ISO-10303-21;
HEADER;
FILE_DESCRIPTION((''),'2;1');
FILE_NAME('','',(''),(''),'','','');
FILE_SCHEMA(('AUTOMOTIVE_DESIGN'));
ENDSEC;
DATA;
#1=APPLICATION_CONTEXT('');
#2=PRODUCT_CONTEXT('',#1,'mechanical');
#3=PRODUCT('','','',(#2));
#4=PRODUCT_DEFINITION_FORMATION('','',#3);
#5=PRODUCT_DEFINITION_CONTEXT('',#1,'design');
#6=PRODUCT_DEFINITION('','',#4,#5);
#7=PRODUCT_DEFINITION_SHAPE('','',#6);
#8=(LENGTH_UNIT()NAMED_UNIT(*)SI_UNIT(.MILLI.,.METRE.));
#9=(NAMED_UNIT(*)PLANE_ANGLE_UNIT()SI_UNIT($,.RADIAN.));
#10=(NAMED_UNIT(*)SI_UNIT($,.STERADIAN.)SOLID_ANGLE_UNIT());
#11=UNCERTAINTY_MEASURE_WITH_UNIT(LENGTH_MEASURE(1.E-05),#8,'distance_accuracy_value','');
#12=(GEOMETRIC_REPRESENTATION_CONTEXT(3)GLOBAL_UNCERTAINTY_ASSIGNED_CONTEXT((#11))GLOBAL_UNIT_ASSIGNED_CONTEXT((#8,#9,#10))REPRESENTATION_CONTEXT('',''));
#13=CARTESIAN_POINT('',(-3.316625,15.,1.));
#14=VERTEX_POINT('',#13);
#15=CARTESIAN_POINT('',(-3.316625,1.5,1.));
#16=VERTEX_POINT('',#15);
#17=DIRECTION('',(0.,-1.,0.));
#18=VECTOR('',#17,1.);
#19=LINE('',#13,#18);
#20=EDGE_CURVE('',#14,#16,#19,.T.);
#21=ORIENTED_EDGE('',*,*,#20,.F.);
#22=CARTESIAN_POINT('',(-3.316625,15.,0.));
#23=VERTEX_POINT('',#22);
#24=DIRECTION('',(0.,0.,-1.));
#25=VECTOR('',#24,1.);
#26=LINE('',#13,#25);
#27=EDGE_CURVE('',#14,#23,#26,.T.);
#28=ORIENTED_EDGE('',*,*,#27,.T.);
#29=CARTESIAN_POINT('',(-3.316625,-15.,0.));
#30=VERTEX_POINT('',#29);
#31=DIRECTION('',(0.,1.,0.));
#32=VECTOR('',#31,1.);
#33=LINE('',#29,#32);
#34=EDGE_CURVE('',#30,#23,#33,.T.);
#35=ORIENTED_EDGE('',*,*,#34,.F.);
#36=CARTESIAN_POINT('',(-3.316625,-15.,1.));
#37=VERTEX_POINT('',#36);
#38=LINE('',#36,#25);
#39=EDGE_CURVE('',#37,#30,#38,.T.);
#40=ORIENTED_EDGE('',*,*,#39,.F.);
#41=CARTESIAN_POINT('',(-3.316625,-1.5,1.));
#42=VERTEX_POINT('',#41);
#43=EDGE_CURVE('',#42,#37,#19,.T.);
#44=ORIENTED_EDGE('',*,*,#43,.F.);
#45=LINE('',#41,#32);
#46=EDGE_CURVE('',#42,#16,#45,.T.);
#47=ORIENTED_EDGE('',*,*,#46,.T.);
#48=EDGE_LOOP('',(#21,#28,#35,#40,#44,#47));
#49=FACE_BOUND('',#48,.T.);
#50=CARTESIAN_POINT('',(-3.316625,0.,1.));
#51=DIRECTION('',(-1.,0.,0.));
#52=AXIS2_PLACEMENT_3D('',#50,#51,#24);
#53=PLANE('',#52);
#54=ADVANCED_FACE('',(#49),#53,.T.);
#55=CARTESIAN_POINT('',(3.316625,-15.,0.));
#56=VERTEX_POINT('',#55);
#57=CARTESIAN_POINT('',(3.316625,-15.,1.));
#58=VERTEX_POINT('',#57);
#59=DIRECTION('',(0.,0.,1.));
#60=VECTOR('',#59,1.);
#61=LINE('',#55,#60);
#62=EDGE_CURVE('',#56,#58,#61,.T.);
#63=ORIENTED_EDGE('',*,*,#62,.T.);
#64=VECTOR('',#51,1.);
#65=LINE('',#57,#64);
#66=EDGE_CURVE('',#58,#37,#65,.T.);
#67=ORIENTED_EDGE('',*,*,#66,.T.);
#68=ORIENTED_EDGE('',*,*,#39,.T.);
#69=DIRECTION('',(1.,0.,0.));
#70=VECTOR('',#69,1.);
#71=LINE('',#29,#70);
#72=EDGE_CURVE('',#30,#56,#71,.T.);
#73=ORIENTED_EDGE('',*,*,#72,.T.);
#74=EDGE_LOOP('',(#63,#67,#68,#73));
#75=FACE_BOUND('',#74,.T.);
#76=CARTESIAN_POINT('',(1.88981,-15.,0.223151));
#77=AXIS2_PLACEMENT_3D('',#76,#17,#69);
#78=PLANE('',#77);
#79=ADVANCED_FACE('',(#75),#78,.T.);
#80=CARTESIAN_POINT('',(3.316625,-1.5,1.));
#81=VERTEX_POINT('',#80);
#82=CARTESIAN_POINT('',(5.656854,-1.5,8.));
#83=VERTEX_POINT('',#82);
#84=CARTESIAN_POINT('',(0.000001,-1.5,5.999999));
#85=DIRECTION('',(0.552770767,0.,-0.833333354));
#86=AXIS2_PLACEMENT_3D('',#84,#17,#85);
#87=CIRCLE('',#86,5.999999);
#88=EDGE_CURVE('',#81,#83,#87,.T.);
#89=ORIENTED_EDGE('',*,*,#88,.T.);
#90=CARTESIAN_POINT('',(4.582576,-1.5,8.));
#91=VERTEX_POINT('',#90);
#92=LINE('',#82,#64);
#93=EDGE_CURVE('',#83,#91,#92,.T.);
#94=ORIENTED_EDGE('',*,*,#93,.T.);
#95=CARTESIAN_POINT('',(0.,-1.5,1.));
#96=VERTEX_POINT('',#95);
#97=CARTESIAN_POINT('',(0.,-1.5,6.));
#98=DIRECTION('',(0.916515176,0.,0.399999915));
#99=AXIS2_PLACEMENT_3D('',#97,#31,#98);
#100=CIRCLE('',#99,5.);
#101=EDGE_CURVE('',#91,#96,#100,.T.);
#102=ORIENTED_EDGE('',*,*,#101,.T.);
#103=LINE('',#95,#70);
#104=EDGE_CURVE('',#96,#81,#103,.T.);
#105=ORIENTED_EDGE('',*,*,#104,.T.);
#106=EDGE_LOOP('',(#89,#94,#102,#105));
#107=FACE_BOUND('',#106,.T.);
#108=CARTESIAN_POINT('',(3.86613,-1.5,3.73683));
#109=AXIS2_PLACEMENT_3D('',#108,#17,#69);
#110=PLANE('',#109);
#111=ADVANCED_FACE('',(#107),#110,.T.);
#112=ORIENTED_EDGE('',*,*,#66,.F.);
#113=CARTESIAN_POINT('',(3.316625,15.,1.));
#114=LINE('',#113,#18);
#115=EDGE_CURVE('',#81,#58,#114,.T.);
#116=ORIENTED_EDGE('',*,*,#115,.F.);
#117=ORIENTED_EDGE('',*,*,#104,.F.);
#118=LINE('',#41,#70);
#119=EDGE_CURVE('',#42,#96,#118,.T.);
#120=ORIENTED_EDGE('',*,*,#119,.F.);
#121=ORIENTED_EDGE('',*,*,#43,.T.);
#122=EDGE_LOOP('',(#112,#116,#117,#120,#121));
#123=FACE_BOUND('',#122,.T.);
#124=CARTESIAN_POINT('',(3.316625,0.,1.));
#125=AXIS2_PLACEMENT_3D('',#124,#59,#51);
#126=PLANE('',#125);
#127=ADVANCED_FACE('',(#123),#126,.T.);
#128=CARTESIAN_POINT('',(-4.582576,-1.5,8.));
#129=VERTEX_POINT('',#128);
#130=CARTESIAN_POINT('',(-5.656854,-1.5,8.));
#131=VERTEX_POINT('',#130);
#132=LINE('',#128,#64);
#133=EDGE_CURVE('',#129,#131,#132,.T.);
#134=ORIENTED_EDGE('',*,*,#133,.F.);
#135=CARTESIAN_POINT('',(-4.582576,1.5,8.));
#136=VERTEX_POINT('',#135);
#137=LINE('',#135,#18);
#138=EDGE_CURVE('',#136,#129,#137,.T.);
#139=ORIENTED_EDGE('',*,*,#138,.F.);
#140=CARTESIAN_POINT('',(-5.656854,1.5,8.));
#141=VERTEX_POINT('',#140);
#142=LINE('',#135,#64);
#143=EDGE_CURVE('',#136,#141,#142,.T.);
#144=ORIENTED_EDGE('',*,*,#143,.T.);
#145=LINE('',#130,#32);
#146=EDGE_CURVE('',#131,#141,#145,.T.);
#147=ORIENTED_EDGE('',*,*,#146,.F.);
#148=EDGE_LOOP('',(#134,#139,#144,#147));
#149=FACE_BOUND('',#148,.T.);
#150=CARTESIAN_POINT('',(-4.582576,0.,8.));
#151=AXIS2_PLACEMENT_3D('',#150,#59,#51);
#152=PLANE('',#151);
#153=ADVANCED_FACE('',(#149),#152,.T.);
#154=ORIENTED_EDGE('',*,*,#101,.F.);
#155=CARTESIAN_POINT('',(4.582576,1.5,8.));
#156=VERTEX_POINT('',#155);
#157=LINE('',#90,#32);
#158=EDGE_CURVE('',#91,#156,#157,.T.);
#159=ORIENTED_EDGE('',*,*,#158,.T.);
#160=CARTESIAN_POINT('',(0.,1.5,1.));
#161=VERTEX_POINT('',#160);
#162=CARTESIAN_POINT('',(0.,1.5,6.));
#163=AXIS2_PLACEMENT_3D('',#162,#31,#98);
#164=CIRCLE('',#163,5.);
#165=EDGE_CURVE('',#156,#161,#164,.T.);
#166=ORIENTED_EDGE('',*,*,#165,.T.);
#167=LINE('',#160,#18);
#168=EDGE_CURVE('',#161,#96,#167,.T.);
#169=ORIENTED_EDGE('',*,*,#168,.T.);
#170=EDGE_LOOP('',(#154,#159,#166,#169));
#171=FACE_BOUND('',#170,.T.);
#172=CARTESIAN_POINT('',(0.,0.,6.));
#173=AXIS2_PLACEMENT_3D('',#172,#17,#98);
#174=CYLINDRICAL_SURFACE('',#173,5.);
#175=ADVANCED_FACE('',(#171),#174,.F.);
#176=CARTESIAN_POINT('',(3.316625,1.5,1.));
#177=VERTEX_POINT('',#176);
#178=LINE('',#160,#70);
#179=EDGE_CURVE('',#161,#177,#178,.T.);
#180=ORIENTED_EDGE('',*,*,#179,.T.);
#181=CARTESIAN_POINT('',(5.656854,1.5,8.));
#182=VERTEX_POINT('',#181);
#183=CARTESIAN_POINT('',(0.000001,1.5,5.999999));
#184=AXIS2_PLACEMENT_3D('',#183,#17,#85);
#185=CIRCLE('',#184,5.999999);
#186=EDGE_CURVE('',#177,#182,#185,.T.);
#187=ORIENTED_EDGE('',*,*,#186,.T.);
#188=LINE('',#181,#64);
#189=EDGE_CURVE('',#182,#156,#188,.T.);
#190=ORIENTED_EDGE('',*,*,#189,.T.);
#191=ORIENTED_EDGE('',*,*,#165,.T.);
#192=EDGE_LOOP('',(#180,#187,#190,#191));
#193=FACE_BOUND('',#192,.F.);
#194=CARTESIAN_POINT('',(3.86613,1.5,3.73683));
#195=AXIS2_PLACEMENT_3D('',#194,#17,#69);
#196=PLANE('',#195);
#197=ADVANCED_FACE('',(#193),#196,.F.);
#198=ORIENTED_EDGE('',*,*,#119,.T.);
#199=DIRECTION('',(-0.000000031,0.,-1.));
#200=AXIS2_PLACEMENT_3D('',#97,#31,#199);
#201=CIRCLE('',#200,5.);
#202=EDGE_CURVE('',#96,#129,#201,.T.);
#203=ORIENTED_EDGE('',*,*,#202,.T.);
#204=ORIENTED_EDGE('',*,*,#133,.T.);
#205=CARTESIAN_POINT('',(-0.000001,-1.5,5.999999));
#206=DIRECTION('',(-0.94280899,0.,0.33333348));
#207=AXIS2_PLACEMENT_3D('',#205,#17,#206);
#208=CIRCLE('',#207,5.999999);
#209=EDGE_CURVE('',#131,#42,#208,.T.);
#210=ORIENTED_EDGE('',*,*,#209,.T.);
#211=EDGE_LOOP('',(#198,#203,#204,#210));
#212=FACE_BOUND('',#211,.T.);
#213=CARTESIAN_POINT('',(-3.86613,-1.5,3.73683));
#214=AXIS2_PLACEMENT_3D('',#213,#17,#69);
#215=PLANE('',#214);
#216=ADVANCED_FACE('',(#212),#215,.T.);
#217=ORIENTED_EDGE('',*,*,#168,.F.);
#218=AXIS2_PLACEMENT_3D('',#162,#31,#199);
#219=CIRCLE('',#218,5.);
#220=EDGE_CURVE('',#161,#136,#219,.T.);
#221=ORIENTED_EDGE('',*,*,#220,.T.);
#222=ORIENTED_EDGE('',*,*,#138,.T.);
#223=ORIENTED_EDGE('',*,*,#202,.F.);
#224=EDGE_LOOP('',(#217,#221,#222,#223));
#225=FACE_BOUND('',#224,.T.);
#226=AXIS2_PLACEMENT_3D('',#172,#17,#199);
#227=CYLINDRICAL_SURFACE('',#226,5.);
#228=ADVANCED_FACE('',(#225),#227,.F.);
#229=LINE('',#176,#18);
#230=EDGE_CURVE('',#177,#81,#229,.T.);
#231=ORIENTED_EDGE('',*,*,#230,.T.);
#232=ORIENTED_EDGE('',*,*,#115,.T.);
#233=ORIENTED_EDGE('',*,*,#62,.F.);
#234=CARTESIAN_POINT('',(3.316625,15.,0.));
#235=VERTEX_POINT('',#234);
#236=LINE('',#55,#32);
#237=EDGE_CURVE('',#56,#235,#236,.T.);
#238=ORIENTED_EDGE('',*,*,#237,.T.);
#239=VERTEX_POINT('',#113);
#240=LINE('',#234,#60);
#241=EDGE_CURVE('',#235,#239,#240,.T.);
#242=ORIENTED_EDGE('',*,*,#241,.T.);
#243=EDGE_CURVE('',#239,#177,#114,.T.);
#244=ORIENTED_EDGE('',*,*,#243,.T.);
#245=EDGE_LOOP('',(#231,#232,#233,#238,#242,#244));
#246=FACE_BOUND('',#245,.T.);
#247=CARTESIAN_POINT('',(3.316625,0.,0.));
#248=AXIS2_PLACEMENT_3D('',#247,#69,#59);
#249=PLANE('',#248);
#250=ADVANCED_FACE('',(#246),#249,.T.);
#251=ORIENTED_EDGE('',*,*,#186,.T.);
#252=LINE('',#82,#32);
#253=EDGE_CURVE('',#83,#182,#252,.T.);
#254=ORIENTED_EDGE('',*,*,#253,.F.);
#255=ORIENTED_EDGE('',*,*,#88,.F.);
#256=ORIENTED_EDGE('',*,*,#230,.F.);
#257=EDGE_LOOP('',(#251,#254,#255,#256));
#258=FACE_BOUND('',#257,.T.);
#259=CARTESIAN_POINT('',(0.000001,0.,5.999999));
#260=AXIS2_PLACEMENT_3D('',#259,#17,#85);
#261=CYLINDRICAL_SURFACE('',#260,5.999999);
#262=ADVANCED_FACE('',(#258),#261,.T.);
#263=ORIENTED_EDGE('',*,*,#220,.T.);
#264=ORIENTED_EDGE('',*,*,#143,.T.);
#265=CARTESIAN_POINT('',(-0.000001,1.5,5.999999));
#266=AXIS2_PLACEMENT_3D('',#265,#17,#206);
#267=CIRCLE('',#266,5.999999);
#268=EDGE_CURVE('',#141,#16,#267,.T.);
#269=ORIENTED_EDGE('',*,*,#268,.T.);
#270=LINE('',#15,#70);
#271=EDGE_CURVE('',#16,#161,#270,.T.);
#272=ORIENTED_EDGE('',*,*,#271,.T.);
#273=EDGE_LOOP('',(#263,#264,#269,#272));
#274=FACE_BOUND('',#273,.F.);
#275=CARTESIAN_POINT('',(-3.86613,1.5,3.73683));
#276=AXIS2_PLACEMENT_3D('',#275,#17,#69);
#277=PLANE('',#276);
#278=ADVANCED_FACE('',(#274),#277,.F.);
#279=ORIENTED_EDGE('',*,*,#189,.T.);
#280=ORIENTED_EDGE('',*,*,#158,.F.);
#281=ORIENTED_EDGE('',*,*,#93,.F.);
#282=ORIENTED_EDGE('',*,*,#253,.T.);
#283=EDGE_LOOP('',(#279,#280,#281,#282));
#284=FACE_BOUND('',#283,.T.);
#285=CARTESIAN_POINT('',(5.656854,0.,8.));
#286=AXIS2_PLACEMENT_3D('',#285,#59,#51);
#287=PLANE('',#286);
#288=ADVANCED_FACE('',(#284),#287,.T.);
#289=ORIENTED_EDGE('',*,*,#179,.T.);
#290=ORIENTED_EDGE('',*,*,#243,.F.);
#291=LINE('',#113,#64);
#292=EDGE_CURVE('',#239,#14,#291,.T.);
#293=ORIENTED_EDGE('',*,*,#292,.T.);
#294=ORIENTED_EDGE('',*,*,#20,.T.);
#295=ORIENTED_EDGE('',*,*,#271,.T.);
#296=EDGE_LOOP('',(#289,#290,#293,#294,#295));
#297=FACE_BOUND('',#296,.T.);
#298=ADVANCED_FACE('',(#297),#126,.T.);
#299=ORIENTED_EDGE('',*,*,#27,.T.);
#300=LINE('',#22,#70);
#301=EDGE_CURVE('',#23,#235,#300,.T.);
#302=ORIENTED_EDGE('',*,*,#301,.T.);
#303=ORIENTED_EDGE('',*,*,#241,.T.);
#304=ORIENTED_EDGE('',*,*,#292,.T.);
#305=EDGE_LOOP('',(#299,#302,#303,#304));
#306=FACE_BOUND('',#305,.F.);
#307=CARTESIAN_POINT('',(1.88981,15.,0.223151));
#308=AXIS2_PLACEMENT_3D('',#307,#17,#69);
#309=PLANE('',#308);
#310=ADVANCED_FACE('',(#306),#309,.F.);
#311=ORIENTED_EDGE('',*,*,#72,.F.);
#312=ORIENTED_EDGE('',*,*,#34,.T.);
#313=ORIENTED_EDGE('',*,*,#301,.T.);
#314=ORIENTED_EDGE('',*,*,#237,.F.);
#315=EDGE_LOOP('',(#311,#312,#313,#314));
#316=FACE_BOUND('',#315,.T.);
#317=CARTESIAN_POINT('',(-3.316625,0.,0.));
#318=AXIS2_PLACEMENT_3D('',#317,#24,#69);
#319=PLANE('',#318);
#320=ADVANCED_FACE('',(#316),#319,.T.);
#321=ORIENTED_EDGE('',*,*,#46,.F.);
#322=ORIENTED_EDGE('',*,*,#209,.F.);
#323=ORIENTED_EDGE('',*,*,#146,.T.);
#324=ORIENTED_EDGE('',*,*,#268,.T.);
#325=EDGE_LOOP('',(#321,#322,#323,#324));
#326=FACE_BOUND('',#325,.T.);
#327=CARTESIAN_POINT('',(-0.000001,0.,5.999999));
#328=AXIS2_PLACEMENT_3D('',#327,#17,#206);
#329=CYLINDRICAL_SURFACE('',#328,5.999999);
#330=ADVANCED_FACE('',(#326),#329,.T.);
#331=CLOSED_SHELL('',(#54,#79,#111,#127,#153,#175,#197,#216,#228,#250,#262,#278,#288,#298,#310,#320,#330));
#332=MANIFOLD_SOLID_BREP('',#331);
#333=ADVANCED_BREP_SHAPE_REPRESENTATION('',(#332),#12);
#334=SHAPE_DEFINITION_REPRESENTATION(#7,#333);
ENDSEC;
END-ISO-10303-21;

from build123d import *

# Parameters (mm, degrees)
F1_DEPTH = 15
F2_DEPTH = 1.5


with BuildPart() as f1:
    # F0 (on Front) → F1 (new body, symmetric)
    with BuildSketch(Plane.XZ):
        with BuildLine():
            ThreePointArc((3.316625, 1), (1.732051, 0.255437), (0, 0))
            Line((0, 0), (3.316625, 0))
            Line((3.316625, 0), (3.316625, 1))
        make_face()
        with BuildLine():
            ThreePointArc((0, 0), (-1.732051, 0.255437), (-3.316625, 1))
            Line((-3.316625, 1), (-3.316625, 0))
            Line((-3.316625, 0), (0, 0))
        make_face()
        with BuildLine():
            Line((0, 1), (-3.316625, 1))
            ThreePointArc((-3.316625, 1), (-1.732051, 0.255437), (0, 0))
            ThreePointArc((0, 0), (1.732051, 0.255437), (3.316625, 1))
            Line((3.316625, 1), (0, 1))
        make_face()
    extrude(amount=F1_DEPTH, both=True)

    # F0 (on Front) → F2 (join, symmetric)
    with BuildSketch(Plane.XZ):
        with BuildLine():
            ThreePointArc((-5.656854, 8), (-5.690416, 4.097589), (-3.316625, 1))
            Line((-3.316625, 1), (0, 1))
            ThreePointArc((0, 1), (-4.1833, 3.261387), (-4.582576, 8))
            Line((-4.582576, 8), (-5.656854, 8))
        make_face()
        with BuildLine():
            ThreePointArc((4.582576, 8), (4.1833, 3.261387), (0, 1))
            Line((0, 1), (3.316625, 1))
            ThreePointArc((3.316625, 1), (5.690416, 4.097589), (5.656854, 8))
            Line((5.656854, 8), (4.582576, 8))
        make_face()
    extrude(amount=F2_DEPTH, both=True)


solid = f1.part
